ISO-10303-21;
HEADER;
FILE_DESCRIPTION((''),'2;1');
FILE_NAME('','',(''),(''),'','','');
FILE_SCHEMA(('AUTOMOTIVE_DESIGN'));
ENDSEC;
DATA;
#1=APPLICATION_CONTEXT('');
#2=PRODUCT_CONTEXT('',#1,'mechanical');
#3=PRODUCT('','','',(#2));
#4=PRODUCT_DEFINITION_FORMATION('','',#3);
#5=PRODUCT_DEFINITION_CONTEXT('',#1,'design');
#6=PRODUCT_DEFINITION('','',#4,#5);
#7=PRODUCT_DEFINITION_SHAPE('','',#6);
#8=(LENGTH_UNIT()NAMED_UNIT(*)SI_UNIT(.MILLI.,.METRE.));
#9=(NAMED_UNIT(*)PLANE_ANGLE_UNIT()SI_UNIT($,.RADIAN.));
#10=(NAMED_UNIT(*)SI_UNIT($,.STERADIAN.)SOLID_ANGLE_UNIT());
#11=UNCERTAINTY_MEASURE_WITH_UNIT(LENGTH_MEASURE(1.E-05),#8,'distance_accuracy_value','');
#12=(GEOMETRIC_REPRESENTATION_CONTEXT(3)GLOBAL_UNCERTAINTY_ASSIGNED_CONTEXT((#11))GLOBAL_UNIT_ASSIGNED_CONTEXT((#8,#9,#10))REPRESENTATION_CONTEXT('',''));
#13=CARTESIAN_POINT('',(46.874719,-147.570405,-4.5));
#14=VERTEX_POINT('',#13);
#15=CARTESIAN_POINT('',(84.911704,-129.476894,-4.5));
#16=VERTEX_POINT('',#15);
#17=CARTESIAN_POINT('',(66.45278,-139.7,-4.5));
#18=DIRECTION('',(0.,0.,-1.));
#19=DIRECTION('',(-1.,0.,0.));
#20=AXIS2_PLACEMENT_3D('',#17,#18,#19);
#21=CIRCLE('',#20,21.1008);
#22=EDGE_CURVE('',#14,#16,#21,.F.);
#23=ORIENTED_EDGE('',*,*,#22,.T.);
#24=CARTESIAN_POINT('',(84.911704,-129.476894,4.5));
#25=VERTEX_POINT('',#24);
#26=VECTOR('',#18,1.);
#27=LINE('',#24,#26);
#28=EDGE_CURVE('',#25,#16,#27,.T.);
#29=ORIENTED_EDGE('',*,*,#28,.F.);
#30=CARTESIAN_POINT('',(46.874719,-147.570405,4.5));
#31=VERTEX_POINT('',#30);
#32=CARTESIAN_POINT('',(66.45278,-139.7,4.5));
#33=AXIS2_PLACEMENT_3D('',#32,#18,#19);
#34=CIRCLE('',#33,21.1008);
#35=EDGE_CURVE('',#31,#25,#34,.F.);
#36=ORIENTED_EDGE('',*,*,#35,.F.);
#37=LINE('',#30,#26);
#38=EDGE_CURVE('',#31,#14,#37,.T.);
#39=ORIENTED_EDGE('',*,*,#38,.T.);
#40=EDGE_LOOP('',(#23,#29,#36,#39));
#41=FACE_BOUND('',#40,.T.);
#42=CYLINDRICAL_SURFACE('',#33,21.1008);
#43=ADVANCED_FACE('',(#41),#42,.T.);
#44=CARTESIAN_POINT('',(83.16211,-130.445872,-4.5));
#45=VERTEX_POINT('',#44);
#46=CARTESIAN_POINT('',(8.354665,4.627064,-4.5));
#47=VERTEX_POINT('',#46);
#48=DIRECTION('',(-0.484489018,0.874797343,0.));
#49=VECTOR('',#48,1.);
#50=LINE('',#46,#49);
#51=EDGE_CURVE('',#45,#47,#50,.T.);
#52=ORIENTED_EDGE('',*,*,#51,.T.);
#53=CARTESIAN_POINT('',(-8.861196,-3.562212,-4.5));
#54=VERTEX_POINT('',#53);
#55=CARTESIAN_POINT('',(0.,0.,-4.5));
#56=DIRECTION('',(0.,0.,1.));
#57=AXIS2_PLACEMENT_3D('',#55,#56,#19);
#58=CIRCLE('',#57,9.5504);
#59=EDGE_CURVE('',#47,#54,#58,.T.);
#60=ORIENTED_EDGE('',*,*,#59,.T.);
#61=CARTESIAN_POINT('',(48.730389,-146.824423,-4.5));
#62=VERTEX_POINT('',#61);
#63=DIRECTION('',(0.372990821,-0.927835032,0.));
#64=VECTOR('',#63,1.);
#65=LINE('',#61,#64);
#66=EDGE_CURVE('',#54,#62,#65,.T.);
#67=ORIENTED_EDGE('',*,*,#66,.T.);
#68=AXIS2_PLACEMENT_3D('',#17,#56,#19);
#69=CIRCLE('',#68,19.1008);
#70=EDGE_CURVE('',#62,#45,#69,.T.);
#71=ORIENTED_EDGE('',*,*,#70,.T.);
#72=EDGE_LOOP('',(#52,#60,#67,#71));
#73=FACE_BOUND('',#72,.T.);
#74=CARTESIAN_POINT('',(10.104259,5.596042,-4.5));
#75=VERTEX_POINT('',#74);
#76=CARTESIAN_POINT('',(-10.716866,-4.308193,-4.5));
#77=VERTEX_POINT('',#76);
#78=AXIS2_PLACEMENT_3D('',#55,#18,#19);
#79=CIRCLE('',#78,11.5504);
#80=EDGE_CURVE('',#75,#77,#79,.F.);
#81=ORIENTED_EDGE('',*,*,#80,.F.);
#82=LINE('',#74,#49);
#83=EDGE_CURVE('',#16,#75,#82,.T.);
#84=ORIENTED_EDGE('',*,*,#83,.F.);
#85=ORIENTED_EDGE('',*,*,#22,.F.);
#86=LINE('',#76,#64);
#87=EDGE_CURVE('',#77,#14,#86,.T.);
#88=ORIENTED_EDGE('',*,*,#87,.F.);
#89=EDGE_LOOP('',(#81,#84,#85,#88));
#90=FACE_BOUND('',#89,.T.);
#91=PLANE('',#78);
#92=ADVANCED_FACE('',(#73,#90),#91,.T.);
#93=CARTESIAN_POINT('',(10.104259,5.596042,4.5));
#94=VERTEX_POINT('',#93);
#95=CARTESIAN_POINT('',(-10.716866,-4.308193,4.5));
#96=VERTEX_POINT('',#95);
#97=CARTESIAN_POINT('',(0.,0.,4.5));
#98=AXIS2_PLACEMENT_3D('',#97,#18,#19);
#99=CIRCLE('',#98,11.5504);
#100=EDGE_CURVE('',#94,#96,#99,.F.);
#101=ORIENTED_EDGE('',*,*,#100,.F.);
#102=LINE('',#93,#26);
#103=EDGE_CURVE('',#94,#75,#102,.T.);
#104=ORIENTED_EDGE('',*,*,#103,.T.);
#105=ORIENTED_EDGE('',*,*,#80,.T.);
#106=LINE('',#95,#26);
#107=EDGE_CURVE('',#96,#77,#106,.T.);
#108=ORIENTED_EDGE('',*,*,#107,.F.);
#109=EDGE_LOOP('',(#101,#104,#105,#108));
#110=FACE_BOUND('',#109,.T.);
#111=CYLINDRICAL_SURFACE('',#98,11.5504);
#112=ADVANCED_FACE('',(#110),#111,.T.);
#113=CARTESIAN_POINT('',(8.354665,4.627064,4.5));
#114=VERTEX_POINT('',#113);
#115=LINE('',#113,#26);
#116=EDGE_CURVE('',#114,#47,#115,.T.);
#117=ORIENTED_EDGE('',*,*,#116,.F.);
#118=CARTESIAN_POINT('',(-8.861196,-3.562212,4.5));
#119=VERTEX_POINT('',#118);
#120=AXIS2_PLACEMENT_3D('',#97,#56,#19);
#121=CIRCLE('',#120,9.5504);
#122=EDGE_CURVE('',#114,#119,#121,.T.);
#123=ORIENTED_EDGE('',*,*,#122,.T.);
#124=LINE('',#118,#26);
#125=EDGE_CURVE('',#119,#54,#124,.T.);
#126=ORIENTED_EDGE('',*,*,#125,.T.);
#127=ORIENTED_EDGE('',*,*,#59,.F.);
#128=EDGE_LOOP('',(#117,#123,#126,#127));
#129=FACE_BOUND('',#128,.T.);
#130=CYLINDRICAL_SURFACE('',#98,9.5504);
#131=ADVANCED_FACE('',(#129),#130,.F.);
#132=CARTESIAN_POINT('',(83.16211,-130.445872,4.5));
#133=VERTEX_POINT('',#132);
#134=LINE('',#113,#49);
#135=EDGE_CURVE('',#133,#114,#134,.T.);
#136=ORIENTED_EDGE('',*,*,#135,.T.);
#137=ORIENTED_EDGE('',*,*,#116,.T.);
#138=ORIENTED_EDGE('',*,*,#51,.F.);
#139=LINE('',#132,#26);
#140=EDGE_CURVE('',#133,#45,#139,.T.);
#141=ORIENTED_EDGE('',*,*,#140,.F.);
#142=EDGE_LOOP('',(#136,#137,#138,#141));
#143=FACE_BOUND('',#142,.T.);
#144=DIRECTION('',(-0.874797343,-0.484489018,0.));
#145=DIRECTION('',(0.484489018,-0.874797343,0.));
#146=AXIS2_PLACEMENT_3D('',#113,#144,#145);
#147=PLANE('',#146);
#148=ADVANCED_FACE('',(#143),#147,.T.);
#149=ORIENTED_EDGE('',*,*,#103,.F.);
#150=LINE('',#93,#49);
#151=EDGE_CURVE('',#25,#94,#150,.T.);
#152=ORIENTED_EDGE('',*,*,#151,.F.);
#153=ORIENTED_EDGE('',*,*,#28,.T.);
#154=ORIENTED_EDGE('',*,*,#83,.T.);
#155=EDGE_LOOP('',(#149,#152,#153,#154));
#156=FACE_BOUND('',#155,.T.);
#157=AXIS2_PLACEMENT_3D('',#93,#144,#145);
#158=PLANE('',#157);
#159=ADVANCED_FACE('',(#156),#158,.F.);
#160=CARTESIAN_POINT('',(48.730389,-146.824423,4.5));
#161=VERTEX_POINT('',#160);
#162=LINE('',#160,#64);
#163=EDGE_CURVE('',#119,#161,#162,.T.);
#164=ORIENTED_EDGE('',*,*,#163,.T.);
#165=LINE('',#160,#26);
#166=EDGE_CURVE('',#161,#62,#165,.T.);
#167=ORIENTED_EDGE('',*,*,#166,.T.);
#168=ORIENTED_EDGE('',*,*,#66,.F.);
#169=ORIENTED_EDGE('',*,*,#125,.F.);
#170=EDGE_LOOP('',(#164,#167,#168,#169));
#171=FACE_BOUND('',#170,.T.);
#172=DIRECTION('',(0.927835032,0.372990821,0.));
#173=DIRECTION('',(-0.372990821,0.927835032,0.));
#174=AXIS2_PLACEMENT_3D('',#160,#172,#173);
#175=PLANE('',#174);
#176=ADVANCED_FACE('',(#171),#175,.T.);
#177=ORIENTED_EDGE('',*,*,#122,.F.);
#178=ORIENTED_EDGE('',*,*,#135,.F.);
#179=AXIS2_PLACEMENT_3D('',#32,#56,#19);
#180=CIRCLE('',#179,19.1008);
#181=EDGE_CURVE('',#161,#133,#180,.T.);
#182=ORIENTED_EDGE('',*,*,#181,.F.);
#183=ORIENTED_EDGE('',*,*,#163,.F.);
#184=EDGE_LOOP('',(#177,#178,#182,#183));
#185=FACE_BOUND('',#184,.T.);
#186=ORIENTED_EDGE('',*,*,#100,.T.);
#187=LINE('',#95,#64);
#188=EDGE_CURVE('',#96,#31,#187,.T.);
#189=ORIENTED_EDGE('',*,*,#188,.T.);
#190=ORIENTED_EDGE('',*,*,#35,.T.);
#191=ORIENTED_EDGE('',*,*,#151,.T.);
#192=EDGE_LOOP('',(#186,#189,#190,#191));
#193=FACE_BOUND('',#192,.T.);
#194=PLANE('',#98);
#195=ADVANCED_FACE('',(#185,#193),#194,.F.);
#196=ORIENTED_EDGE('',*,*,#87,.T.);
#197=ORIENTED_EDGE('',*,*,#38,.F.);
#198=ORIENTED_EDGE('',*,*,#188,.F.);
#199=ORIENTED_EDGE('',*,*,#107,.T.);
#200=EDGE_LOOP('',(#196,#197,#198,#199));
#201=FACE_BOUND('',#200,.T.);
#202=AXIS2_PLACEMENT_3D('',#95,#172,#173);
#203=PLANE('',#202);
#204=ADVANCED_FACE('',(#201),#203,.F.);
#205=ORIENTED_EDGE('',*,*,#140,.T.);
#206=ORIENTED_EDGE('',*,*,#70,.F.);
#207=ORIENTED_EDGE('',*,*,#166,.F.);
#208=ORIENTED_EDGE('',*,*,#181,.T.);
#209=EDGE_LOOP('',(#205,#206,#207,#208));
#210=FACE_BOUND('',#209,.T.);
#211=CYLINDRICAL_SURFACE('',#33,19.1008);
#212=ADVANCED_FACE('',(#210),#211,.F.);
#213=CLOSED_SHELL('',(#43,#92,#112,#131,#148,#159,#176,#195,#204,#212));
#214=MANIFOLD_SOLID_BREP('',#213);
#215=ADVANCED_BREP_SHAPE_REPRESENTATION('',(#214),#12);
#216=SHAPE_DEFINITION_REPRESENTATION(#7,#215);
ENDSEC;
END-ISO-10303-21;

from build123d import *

# Parameters (mm, degrees)
EXTRUDE_THIN1_DEPTH = 4.5


with BuildPart() as part:
    # Sketch2 → Extrude-Thin1 (new, symmetric)
    with BuildSketch(Plane.XY):
        with BuildLine():
            Line((46.874718982, -147.570404716), (-10.716865759, -4.308193179))
            ThreePointArc((-10.716865759, -4.308193179), (-4.961581407, 10.430457809), (10.104259233, 5.59604195))
            Line((10.104259233, 5.59604195), (84.911704215, -129.476894135))
            ThreePointArc((84.911704215, -129.476894135), (75.516824707, -158.754838285), (46.874718982, -147.570404716))
        make_face()
        with BuildLine():
            Line((48.730389047, -146.824423074), (-8.861195694, -3.562211537))
            ThreePointArc((-8.861195694, -3.562211537), (-4.102462865, 8.624380477), (8.354664547, 4.627063915))
            Line((8.354664547, 4.627063915), (83.162109529, -130.44587217))
            ThreePointArc((83.162109529, -130.44587217), (74.657706165, -156.948760953), (48.730389047, -146.824423074))
        make_face(mode=Mode.SUBTRACT)
    extrude(amount=EXTRUDE_THIN1_DEPTH, both=True)


solid = part.part
